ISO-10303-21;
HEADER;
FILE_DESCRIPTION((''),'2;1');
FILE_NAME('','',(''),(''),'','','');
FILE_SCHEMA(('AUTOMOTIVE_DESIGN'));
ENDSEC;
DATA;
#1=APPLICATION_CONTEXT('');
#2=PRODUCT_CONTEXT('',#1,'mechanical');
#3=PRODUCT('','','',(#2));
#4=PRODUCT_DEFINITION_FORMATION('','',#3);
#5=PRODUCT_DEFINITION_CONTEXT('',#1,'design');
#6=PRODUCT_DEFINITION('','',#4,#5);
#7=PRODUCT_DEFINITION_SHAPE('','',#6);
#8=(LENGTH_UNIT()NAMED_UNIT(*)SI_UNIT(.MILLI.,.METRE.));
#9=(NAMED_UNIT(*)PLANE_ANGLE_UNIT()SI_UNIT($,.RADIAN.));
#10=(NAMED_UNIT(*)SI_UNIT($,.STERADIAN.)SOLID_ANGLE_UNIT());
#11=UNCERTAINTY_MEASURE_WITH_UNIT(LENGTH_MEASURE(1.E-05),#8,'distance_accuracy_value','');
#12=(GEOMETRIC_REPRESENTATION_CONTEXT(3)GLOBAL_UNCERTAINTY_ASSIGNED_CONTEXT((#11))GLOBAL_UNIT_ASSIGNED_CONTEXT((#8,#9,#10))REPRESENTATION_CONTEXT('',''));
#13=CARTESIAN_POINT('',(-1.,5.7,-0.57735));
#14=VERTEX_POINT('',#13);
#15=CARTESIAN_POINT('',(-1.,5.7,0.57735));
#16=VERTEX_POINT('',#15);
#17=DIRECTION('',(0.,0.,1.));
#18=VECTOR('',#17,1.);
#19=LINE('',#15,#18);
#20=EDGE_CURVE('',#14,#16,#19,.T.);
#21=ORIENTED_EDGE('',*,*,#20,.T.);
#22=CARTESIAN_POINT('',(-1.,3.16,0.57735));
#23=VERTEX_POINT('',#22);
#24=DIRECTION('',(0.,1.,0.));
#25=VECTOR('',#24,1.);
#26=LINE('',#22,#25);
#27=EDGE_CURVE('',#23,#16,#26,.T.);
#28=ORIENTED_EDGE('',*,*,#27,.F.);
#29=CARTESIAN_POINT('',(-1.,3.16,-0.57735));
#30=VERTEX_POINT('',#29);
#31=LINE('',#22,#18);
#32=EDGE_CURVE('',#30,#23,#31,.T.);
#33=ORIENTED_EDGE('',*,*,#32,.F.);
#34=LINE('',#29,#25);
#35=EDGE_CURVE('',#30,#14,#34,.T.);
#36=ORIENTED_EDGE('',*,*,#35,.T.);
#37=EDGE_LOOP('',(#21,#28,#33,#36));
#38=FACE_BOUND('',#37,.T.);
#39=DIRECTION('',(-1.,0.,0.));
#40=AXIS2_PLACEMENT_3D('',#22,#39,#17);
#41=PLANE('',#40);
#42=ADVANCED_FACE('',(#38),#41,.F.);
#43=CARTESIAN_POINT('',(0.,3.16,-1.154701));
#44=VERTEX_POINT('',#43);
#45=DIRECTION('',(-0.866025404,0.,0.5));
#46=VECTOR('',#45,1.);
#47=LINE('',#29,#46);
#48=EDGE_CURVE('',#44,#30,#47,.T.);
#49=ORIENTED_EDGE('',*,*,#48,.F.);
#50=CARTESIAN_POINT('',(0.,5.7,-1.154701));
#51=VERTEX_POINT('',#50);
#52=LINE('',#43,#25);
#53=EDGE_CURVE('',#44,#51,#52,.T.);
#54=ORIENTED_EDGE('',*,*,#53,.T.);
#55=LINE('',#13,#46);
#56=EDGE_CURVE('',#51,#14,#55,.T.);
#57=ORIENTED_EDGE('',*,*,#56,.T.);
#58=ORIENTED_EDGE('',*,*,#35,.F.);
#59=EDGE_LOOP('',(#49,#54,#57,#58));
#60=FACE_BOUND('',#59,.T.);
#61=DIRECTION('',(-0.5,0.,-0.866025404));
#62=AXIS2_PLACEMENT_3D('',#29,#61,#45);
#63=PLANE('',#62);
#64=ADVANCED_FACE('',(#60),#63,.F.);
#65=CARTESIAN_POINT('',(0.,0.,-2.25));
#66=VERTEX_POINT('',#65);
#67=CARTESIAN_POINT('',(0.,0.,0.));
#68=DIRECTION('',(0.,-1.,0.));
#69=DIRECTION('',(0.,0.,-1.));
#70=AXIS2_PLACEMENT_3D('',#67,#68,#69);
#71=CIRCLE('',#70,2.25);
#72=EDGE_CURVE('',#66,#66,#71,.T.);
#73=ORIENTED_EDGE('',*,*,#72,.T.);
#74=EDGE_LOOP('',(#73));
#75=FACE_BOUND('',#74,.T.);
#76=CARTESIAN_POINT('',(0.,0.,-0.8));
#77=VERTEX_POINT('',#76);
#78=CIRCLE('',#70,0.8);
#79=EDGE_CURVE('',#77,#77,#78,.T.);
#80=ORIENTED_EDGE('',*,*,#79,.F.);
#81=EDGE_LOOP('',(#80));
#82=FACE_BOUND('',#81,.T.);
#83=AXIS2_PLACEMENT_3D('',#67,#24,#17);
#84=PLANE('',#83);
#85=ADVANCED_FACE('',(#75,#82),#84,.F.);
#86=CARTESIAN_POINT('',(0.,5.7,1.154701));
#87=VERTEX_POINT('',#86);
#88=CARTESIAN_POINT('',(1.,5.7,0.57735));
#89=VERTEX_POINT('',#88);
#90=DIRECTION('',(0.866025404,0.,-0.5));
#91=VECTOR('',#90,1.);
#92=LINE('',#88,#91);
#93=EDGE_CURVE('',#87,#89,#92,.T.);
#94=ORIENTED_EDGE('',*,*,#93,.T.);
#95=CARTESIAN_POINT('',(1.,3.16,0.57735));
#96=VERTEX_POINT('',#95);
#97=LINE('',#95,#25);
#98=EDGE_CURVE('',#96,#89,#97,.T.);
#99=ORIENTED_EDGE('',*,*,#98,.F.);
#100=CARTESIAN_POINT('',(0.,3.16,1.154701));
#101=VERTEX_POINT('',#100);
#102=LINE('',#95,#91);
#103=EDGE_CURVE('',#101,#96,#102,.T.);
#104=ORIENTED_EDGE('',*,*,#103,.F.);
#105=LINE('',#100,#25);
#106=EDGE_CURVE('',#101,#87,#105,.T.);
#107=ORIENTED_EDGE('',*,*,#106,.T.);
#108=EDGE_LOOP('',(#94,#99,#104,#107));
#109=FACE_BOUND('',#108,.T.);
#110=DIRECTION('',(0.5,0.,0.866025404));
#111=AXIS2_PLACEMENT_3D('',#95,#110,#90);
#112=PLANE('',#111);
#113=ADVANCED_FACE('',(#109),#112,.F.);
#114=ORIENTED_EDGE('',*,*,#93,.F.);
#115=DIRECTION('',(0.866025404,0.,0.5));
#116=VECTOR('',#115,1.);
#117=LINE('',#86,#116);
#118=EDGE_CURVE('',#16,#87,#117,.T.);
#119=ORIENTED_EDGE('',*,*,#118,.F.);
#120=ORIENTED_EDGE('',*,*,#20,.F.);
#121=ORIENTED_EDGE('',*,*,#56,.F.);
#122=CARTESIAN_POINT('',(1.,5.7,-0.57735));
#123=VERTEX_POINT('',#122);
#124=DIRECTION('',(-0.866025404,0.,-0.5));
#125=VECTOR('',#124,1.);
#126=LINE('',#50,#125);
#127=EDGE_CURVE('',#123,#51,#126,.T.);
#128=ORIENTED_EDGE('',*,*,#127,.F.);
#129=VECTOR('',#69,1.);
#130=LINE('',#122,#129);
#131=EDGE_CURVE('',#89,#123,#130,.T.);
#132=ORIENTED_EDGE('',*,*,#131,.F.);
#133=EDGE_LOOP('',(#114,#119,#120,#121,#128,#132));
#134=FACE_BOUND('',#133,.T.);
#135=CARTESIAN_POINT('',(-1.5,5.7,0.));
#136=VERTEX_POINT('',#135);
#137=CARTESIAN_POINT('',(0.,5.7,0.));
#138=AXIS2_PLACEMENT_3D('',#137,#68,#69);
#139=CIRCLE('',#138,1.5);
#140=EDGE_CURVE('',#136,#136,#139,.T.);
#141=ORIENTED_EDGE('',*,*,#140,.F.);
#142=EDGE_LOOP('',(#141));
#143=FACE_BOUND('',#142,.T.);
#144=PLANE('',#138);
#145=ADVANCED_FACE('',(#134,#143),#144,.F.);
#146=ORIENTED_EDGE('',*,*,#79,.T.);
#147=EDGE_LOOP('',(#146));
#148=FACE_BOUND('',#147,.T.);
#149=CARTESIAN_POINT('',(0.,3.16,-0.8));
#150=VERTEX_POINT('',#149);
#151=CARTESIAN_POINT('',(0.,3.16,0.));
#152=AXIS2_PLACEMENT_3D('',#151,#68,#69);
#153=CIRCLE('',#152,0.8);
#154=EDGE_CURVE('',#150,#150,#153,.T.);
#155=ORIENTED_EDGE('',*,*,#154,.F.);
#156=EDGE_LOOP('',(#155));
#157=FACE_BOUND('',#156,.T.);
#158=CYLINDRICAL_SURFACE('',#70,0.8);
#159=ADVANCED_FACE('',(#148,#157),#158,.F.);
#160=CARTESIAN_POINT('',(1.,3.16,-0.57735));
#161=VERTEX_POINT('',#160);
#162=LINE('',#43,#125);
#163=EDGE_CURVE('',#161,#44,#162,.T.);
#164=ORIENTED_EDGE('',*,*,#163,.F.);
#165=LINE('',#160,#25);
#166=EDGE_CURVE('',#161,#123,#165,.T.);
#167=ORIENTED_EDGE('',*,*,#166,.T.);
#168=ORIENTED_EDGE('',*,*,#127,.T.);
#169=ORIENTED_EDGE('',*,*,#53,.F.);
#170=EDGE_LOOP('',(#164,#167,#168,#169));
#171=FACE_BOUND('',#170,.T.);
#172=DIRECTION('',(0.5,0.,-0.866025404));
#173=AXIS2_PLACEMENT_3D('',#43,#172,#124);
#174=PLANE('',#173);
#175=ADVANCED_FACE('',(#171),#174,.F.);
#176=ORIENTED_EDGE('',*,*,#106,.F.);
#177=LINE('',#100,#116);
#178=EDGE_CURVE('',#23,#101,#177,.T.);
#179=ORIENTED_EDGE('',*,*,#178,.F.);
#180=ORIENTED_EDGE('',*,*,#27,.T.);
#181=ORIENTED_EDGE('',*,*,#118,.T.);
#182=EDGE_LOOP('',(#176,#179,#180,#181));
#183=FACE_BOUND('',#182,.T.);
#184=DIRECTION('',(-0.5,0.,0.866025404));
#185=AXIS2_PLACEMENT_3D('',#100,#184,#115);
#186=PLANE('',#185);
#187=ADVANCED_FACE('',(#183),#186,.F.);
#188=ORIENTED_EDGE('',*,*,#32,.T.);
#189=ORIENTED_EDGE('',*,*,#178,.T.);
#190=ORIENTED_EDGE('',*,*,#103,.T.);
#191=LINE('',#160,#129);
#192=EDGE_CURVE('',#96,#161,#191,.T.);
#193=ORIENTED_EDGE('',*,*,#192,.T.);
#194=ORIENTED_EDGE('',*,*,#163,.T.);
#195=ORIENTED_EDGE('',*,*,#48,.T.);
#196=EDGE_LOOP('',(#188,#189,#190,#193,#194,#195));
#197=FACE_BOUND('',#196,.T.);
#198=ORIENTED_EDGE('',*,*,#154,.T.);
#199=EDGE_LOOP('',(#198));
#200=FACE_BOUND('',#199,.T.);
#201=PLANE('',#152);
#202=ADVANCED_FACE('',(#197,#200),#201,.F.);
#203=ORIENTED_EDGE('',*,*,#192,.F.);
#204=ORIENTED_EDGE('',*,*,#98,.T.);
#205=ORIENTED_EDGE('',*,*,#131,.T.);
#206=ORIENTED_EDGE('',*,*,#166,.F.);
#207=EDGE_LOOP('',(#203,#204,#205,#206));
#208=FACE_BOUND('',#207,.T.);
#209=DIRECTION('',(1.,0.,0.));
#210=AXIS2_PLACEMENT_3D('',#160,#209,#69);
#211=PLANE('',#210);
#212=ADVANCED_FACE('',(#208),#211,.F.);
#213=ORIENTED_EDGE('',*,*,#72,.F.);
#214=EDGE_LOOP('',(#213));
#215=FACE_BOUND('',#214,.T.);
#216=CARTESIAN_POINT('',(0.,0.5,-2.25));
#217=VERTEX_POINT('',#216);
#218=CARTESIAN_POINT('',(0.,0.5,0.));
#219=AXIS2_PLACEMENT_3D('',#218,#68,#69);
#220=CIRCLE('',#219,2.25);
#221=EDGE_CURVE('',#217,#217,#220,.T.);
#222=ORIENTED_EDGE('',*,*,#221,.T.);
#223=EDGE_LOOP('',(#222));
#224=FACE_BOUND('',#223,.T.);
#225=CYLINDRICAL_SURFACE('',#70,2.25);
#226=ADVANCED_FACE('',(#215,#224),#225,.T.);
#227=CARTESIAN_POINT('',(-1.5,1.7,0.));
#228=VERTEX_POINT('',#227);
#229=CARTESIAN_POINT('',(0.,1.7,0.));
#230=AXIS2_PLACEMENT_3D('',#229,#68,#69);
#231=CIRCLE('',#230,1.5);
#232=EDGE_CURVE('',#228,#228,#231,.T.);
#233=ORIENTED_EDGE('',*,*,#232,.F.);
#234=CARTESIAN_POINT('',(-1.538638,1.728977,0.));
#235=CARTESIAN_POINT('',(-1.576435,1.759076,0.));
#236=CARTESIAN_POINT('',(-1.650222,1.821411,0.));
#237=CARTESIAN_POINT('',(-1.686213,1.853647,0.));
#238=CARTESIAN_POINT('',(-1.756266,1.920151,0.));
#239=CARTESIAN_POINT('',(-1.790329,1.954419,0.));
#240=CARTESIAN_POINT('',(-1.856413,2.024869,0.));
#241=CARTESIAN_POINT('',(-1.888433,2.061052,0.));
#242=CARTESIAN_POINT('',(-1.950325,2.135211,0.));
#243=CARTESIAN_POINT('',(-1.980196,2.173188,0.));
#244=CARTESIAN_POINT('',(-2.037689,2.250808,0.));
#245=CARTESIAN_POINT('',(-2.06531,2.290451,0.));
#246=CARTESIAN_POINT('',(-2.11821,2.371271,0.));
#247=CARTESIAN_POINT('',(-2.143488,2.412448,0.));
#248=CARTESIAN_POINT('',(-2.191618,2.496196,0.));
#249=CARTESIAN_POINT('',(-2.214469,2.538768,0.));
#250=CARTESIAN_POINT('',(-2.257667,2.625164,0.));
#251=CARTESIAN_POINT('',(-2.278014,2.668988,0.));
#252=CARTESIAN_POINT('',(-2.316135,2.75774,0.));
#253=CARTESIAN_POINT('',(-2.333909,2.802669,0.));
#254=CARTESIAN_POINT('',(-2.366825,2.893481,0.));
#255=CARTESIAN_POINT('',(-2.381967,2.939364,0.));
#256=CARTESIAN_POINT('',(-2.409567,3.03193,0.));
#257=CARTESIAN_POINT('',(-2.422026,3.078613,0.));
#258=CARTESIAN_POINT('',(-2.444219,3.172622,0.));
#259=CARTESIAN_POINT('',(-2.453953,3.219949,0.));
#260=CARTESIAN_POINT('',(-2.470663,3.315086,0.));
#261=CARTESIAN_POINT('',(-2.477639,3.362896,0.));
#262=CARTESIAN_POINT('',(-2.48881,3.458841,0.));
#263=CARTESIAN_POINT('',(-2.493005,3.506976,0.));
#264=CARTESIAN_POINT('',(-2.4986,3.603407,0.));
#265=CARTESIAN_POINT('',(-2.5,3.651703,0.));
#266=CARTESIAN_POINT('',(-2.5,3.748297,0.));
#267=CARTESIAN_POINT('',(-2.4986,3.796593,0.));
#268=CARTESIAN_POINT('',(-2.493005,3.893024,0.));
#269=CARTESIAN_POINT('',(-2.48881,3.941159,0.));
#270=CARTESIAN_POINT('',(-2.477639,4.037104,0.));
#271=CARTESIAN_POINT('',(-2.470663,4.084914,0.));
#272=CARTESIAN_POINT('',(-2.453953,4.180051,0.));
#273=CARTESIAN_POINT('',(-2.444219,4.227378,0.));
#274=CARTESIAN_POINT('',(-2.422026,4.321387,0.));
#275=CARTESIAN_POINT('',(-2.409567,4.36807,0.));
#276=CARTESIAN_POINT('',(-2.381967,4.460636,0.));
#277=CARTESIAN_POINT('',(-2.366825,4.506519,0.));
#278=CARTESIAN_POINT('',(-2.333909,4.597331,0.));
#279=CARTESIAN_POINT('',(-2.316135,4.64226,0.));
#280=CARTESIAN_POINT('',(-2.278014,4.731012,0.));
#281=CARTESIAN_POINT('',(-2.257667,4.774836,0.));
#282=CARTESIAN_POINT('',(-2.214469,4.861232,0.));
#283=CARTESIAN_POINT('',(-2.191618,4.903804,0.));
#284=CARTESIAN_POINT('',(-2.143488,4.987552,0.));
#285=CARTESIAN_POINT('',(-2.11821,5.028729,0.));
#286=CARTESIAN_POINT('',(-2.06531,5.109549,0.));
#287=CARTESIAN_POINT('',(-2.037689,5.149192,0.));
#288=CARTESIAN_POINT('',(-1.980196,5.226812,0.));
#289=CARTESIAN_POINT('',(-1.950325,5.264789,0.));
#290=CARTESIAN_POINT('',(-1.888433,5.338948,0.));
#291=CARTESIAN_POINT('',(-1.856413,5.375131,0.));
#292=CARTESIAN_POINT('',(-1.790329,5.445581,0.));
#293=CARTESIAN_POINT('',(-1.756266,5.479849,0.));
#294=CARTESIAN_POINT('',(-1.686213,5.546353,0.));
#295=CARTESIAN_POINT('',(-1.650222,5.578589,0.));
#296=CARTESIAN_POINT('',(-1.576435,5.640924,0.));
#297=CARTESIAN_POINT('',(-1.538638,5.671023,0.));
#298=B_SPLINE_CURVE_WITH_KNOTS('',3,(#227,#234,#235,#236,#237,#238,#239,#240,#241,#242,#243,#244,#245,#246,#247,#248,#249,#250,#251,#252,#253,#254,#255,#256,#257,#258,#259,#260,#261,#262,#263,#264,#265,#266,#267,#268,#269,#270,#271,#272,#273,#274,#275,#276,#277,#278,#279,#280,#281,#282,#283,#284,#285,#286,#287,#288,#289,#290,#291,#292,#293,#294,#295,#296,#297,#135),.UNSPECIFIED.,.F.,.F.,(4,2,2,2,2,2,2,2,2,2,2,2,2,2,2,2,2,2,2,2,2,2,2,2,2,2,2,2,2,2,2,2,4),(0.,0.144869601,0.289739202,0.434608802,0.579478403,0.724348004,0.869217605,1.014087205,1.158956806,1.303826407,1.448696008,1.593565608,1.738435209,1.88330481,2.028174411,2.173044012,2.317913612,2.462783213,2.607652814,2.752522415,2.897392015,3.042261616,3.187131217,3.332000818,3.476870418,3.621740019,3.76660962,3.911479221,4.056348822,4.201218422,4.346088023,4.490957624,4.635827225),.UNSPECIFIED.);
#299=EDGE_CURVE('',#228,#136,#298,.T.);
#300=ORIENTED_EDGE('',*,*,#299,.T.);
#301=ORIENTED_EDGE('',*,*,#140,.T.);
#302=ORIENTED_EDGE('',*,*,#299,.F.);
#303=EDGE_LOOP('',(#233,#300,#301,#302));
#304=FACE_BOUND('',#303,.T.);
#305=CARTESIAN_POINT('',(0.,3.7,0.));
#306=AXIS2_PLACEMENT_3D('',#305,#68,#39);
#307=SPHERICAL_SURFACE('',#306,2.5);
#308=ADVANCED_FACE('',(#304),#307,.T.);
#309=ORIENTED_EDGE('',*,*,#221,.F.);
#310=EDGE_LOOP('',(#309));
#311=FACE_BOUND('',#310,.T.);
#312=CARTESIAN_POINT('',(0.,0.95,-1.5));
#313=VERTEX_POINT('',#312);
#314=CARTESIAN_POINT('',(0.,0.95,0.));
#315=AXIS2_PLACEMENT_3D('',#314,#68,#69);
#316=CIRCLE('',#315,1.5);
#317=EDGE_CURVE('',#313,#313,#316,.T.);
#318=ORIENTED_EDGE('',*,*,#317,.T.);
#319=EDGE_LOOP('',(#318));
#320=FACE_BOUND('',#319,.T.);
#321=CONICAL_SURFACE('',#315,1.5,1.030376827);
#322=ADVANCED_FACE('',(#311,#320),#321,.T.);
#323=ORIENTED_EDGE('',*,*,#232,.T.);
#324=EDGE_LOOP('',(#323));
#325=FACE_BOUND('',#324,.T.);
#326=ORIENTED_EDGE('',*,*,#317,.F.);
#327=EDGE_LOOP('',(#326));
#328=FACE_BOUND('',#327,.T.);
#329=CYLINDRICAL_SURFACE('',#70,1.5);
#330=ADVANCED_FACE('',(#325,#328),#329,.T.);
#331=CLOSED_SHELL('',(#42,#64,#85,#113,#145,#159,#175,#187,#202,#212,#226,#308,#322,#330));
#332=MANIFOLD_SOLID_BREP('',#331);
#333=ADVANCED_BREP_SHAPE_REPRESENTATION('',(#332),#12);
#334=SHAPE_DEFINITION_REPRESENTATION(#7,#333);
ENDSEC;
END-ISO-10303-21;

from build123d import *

# Parameters (mm, degrees)
CUT_EXTRUDE1_DEPTH = 2.54
M2_TAPPED_HOLE1_D  = 1.6


with BuildPart() as part:
    # Sketch1 → Revolve1 (revolve)
    with BuildSketch(Plane.XY, mode=Mode.PRIVATE) as revolve1_sk:
        with BuildLine():
            Line((0, 0), (0, 5.7))
            Line((0, 5.7), (-1.5, 5.7))
            ThreePointArc((-1.5, 5.7), (-2.5, 3.7), (-1.5, 1.7))
            Line((-1.5, 1.7), (-1.5, 0.95))
            Line((-1.5, 0.95), (-2.25, 0.5))
            Line((-2.25, 0.5), (-2.25, 0))
            Line((-2.25, 0), (0, 0))
        make_face()
    revolve(revolve1_sk.sketch.rotate(Axis((0, 0, 0), (0, 1, 0)), 270), axis=Axis((0, 0, 0), (0, 1, 0)))

    # Sketch2 → Cut-Extrude1 (cut)
    with BuildSketch(Plane(origin=(0, 5.7, 0), x_dir=(1, 0, 0), z_dir=(0, 1, 0))):
        Polygon((-1, -0.577350269), (-1, 0.577350269), (0, 1.154700538), (1, 0.577350269), (1, -0.577350269), (0, -1.154700538), align=None)
    extrude(amount=-CUT_EXTRUDE1_DEPTH, mode=Mode.SUBTRACT)

    # M2 Tapped Hole1 (through all)
    with Locations(Plane(origin=(0, 0, 0), x_dir=(-1, 0, 0), z_dir=(0, -1, 0))):
        with Locations((0, 0)):
            Hole(M2_TAPPED_HOLE1_D / 2)


solid = part.part
